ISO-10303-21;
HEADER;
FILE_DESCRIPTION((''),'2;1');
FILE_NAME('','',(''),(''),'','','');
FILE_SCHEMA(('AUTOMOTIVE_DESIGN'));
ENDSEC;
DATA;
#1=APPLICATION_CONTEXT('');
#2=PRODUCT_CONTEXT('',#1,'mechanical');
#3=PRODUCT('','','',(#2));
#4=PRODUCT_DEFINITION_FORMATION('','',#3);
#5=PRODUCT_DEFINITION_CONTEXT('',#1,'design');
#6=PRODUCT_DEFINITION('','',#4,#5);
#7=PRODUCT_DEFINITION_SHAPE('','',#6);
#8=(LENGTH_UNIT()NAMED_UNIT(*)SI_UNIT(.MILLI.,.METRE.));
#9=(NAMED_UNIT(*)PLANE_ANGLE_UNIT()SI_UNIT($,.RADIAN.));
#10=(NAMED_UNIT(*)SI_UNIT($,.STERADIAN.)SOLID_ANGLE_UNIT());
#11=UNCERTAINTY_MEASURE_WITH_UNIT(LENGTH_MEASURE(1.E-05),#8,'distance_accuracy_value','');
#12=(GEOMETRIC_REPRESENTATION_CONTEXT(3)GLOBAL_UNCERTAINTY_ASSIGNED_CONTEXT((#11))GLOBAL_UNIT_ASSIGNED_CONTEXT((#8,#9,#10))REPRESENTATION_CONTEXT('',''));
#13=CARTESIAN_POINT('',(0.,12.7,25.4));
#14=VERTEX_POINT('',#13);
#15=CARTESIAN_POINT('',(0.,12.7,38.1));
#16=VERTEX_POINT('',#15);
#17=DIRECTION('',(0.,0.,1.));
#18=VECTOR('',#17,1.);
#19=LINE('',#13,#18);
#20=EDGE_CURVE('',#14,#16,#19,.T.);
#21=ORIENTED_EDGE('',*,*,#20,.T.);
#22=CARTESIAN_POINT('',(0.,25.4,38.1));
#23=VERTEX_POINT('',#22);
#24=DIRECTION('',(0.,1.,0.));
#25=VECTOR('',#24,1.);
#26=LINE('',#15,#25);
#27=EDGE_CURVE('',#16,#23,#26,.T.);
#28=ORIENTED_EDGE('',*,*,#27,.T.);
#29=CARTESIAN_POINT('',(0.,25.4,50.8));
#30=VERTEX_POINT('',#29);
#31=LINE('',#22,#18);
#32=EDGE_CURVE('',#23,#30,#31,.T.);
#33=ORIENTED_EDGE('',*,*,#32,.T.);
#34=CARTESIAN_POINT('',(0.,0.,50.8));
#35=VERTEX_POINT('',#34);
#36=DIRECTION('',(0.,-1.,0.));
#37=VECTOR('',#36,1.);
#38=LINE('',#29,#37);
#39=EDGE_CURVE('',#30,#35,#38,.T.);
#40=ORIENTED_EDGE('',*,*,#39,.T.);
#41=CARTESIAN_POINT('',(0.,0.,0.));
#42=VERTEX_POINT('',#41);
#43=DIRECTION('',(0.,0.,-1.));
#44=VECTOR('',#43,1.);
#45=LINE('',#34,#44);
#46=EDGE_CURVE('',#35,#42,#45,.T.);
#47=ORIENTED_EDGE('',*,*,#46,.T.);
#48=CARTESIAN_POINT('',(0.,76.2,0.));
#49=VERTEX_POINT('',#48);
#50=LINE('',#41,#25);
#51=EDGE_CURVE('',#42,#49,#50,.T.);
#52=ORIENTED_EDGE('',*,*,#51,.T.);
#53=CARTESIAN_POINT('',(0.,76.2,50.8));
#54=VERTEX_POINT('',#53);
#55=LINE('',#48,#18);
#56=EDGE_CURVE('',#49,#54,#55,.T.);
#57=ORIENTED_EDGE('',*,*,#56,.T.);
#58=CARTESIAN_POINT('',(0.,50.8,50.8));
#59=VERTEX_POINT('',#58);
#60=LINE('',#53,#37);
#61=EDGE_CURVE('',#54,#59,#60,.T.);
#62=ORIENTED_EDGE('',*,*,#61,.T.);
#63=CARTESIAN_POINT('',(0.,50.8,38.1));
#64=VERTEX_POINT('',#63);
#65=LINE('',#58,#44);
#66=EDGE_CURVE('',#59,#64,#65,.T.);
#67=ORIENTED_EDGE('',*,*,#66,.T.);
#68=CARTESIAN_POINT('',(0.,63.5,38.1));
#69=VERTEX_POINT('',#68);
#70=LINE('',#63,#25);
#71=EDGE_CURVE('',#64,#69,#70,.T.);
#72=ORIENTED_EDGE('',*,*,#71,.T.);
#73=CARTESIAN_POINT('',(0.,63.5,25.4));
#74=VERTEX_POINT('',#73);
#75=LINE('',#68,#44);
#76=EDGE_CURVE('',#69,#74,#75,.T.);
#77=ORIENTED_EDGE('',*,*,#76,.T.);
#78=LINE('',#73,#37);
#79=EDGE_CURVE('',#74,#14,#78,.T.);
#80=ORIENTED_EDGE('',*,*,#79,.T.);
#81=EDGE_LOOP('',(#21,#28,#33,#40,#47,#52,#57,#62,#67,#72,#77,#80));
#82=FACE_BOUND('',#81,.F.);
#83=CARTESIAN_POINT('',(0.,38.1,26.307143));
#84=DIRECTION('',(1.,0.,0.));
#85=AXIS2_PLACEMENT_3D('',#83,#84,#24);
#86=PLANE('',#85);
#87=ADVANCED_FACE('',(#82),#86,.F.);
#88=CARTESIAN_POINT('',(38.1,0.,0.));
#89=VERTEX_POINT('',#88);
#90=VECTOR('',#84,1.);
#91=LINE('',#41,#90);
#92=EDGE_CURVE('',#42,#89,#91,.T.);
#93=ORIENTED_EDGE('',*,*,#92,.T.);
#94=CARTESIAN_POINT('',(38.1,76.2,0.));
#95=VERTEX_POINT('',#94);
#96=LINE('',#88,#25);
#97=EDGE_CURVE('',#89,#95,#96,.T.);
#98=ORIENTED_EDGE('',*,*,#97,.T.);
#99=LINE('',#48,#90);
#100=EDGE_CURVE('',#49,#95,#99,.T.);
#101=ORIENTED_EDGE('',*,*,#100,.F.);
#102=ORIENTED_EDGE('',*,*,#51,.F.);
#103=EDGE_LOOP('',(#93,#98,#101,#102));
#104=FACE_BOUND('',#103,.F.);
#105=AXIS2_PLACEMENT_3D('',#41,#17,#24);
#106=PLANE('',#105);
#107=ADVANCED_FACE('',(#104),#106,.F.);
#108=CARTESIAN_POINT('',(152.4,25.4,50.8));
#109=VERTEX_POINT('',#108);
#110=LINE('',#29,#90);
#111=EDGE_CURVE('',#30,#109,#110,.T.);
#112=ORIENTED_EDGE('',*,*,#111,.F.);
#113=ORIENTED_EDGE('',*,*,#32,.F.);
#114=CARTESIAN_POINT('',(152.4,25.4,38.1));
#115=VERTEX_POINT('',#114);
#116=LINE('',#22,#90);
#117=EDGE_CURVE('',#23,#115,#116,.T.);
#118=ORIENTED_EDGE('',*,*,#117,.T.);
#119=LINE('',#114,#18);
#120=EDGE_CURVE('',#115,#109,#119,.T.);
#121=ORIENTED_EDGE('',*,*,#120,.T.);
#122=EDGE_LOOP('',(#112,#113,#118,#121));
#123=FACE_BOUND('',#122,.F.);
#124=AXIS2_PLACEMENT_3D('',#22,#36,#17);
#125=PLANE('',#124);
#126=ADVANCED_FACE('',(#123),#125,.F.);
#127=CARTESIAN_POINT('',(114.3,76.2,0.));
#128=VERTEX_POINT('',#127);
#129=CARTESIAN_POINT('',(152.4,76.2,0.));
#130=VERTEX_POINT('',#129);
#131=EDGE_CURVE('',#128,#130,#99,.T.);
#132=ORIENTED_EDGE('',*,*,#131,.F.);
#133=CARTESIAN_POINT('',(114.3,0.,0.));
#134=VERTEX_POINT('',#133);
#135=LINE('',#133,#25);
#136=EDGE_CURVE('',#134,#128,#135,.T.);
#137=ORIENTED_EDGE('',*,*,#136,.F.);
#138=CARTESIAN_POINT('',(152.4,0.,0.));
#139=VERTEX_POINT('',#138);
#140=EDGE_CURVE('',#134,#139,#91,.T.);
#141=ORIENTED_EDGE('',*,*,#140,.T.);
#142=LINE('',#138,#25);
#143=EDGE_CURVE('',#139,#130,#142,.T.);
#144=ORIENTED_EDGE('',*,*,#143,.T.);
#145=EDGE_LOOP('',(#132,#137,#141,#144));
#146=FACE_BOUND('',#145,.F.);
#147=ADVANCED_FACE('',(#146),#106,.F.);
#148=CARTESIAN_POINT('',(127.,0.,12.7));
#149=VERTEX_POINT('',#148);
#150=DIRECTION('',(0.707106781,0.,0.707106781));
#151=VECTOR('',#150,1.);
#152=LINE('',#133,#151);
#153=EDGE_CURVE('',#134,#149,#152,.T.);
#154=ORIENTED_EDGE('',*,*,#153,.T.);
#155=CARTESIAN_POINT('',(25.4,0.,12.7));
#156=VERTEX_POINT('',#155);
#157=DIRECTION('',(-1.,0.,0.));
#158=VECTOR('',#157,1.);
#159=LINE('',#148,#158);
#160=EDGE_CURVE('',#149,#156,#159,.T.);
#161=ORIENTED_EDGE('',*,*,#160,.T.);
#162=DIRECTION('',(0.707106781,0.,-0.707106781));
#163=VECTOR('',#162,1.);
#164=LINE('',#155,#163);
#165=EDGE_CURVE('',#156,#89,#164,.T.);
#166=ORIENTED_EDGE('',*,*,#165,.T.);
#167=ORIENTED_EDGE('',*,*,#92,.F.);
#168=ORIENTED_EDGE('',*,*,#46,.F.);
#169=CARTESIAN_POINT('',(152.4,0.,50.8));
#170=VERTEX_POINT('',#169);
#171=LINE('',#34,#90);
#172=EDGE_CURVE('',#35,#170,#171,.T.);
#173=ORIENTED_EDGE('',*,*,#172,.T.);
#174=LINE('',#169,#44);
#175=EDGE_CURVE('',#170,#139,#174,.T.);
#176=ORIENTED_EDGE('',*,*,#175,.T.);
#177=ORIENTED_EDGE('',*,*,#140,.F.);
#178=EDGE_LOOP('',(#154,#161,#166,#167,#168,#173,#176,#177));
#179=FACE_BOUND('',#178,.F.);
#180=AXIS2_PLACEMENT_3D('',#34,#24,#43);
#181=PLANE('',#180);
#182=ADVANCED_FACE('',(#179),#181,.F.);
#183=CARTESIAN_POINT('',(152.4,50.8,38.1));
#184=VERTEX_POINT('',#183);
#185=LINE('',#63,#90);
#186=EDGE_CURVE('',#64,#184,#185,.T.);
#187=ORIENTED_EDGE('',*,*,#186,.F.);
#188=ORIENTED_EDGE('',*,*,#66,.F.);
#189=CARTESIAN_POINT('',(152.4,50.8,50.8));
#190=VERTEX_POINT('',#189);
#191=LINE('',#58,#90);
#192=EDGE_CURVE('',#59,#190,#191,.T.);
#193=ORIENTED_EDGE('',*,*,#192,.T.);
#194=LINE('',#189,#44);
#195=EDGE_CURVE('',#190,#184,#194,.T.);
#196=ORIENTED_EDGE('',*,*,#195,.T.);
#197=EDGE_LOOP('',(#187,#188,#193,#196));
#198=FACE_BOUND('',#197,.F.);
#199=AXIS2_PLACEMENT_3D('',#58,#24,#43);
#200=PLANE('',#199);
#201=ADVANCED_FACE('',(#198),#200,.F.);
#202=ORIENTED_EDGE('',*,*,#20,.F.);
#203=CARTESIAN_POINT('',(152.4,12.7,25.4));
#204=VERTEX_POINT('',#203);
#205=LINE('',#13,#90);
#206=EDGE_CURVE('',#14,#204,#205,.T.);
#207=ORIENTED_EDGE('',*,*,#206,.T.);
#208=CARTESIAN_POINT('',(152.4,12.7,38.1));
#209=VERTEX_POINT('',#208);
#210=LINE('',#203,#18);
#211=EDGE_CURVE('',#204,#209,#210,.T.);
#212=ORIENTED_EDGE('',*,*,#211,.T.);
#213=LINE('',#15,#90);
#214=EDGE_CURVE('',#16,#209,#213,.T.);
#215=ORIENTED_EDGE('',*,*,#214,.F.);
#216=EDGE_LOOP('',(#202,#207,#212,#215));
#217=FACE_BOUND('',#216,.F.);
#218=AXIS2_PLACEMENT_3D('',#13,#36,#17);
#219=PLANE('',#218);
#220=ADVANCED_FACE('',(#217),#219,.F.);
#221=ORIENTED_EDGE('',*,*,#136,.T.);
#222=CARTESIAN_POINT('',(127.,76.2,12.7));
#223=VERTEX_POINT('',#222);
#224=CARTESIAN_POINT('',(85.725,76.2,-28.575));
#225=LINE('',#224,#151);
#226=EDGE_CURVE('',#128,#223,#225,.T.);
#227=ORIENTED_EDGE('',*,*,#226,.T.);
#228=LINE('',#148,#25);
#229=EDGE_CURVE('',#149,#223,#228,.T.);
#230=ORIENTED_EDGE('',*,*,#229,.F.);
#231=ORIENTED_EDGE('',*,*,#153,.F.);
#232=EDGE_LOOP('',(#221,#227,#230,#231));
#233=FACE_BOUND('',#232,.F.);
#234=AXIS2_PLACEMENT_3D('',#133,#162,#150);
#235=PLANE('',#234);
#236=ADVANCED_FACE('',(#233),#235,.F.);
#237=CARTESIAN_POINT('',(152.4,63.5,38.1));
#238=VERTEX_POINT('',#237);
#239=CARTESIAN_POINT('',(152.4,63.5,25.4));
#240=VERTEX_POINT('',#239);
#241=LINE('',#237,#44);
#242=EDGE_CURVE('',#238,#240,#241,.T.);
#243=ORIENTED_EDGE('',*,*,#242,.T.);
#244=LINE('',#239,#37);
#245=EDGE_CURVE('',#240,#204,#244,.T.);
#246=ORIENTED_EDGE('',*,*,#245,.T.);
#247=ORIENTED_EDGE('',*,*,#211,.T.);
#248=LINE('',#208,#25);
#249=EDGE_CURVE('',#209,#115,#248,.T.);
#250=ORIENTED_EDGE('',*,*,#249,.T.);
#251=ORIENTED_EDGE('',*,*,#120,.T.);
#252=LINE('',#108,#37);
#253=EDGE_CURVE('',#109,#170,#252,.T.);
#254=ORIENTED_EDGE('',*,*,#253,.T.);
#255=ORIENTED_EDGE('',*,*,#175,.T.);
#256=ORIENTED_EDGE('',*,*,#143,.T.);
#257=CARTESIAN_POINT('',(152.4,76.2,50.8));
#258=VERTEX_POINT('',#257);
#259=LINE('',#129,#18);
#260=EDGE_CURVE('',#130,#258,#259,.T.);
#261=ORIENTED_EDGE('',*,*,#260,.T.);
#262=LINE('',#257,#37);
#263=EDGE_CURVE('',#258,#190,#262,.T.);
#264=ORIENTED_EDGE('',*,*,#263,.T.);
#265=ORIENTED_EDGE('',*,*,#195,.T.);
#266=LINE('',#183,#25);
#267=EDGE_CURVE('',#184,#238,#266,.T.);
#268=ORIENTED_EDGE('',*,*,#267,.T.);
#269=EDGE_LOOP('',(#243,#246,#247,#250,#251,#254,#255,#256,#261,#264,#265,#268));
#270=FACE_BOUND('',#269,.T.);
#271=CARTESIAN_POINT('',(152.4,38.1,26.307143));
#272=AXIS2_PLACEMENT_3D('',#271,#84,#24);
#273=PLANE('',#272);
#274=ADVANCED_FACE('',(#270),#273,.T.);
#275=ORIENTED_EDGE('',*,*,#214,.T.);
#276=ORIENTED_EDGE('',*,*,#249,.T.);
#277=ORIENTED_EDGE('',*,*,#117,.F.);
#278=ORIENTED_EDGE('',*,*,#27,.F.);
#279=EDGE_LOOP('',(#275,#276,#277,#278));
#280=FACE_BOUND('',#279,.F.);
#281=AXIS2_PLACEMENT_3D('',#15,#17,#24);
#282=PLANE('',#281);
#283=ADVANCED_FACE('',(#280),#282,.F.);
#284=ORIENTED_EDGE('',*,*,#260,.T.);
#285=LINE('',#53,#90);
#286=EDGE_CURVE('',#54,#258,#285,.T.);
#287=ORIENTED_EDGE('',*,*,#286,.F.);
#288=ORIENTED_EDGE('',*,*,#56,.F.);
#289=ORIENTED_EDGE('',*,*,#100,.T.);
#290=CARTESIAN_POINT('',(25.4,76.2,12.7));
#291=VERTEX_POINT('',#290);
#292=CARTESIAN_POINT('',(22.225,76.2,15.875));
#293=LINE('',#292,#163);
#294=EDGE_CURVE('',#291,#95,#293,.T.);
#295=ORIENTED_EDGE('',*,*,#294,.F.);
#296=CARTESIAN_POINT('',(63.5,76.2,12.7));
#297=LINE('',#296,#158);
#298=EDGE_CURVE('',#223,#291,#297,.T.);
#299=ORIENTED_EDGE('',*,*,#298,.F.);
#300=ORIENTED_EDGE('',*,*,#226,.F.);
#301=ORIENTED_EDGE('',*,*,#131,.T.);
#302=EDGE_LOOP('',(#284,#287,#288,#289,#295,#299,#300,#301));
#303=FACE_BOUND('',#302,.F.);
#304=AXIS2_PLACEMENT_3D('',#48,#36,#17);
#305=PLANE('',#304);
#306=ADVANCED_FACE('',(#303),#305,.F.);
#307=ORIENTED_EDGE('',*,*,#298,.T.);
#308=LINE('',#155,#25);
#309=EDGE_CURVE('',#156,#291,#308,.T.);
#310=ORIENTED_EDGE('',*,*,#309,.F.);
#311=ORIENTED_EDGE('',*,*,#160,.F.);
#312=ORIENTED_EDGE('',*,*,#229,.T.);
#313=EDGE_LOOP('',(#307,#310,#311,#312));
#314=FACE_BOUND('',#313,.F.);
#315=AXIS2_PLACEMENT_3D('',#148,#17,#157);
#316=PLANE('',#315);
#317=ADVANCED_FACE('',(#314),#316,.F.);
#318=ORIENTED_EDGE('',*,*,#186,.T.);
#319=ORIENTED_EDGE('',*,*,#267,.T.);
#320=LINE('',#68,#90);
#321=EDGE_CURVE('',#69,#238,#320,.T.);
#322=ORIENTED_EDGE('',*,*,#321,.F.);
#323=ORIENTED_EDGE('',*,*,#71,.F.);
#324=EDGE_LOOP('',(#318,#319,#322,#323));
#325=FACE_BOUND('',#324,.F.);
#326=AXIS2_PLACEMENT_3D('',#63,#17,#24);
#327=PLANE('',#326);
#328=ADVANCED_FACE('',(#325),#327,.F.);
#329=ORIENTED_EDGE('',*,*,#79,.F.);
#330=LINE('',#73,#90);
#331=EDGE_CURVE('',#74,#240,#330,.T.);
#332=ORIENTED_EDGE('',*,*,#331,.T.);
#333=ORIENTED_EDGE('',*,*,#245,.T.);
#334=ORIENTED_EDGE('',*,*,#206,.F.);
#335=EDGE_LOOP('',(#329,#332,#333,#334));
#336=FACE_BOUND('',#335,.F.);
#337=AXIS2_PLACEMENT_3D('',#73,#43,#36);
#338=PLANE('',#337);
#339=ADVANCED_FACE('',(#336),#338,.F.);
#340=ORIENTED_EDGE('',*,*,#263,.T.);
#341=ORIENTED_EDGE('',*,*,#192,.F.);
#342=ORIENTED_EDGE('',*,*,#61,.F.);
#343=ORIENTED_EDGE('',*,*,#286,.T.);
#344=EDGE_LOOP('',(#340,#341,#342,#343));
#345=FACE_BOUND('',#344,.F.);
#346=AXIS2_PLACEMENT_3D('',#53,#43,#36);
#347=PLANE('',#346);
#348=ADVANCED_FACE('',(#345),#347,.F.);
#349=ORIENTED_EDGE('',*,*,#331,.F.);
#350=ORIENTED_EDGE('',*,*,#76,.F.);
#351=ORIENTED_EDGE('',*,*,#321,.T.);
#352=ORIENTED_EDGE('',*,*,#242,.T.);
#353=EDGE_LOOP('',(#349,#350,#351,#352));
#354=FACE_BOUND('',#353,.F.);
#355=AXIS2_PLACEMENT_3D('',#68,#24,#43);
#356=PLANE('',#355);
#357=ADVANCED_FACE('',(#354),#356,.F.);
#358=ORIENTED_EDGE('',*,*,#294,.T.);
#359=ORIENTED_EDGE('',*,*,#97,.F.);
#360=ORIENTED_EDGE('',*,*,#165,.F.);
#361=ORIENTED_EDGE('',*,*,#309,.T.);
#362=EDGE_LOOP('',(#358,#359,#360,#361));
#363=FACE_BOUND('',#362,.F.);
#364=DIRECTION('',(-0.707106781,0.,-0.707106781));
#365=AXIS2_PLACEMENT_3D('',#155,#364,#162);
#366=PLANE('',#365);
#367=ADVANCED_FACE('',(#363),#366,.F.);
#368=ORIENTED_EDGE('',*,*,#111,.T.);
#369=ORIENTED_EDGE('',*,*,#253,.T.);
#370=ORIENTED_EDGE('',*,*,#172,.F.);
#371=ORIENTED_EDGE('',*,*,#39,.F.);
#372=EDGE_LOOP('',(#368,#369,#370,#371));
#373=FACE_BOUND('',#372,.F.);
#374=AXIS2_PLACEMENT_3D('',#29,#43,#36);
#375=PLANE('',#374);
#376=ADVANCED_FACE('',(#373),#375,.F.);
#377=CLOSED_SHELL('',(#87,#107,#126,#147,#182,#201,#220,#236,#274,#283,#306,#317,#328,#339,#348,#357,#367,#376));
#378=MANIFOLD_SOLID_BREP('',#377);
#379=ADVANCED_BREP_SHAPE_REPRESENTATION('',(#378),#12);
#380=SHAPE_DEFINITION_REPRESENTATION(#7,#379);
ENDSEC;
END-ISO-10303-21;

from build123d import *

# Parameters (mm, degrees)
F1_DEPTH = 152.4
F3_DEPTH = 80.772


with BuildPart() as f1:
    # F0 (on Right) → F1 (new body)
    with BuildSketch(Plane.YZ):
        Polygon((0, 50.8), (0, 0), (76.2, 0), (76.2, 50.8), (50.8, 50.8), (50.8, 38.1), (63.5, 38.1), (63.5, 25.4), (12.7, 25.4), (12.7, 38.1), (25.4, 38.1), (25.4, 50.8), align=None)
    extrude(amount=F1_DEPTH)

    # F2 (on face) → F3 (cut)
    with BuildSketch(Plane.XZ):
        Polygon((25.4, 12.7), (38.1, 0), (114.3, 0), (127, 12.7), align=None)
    extrude(amount=-F3_DEPTH, mode=Mode.SUBTRACT)


solid = f1.part
